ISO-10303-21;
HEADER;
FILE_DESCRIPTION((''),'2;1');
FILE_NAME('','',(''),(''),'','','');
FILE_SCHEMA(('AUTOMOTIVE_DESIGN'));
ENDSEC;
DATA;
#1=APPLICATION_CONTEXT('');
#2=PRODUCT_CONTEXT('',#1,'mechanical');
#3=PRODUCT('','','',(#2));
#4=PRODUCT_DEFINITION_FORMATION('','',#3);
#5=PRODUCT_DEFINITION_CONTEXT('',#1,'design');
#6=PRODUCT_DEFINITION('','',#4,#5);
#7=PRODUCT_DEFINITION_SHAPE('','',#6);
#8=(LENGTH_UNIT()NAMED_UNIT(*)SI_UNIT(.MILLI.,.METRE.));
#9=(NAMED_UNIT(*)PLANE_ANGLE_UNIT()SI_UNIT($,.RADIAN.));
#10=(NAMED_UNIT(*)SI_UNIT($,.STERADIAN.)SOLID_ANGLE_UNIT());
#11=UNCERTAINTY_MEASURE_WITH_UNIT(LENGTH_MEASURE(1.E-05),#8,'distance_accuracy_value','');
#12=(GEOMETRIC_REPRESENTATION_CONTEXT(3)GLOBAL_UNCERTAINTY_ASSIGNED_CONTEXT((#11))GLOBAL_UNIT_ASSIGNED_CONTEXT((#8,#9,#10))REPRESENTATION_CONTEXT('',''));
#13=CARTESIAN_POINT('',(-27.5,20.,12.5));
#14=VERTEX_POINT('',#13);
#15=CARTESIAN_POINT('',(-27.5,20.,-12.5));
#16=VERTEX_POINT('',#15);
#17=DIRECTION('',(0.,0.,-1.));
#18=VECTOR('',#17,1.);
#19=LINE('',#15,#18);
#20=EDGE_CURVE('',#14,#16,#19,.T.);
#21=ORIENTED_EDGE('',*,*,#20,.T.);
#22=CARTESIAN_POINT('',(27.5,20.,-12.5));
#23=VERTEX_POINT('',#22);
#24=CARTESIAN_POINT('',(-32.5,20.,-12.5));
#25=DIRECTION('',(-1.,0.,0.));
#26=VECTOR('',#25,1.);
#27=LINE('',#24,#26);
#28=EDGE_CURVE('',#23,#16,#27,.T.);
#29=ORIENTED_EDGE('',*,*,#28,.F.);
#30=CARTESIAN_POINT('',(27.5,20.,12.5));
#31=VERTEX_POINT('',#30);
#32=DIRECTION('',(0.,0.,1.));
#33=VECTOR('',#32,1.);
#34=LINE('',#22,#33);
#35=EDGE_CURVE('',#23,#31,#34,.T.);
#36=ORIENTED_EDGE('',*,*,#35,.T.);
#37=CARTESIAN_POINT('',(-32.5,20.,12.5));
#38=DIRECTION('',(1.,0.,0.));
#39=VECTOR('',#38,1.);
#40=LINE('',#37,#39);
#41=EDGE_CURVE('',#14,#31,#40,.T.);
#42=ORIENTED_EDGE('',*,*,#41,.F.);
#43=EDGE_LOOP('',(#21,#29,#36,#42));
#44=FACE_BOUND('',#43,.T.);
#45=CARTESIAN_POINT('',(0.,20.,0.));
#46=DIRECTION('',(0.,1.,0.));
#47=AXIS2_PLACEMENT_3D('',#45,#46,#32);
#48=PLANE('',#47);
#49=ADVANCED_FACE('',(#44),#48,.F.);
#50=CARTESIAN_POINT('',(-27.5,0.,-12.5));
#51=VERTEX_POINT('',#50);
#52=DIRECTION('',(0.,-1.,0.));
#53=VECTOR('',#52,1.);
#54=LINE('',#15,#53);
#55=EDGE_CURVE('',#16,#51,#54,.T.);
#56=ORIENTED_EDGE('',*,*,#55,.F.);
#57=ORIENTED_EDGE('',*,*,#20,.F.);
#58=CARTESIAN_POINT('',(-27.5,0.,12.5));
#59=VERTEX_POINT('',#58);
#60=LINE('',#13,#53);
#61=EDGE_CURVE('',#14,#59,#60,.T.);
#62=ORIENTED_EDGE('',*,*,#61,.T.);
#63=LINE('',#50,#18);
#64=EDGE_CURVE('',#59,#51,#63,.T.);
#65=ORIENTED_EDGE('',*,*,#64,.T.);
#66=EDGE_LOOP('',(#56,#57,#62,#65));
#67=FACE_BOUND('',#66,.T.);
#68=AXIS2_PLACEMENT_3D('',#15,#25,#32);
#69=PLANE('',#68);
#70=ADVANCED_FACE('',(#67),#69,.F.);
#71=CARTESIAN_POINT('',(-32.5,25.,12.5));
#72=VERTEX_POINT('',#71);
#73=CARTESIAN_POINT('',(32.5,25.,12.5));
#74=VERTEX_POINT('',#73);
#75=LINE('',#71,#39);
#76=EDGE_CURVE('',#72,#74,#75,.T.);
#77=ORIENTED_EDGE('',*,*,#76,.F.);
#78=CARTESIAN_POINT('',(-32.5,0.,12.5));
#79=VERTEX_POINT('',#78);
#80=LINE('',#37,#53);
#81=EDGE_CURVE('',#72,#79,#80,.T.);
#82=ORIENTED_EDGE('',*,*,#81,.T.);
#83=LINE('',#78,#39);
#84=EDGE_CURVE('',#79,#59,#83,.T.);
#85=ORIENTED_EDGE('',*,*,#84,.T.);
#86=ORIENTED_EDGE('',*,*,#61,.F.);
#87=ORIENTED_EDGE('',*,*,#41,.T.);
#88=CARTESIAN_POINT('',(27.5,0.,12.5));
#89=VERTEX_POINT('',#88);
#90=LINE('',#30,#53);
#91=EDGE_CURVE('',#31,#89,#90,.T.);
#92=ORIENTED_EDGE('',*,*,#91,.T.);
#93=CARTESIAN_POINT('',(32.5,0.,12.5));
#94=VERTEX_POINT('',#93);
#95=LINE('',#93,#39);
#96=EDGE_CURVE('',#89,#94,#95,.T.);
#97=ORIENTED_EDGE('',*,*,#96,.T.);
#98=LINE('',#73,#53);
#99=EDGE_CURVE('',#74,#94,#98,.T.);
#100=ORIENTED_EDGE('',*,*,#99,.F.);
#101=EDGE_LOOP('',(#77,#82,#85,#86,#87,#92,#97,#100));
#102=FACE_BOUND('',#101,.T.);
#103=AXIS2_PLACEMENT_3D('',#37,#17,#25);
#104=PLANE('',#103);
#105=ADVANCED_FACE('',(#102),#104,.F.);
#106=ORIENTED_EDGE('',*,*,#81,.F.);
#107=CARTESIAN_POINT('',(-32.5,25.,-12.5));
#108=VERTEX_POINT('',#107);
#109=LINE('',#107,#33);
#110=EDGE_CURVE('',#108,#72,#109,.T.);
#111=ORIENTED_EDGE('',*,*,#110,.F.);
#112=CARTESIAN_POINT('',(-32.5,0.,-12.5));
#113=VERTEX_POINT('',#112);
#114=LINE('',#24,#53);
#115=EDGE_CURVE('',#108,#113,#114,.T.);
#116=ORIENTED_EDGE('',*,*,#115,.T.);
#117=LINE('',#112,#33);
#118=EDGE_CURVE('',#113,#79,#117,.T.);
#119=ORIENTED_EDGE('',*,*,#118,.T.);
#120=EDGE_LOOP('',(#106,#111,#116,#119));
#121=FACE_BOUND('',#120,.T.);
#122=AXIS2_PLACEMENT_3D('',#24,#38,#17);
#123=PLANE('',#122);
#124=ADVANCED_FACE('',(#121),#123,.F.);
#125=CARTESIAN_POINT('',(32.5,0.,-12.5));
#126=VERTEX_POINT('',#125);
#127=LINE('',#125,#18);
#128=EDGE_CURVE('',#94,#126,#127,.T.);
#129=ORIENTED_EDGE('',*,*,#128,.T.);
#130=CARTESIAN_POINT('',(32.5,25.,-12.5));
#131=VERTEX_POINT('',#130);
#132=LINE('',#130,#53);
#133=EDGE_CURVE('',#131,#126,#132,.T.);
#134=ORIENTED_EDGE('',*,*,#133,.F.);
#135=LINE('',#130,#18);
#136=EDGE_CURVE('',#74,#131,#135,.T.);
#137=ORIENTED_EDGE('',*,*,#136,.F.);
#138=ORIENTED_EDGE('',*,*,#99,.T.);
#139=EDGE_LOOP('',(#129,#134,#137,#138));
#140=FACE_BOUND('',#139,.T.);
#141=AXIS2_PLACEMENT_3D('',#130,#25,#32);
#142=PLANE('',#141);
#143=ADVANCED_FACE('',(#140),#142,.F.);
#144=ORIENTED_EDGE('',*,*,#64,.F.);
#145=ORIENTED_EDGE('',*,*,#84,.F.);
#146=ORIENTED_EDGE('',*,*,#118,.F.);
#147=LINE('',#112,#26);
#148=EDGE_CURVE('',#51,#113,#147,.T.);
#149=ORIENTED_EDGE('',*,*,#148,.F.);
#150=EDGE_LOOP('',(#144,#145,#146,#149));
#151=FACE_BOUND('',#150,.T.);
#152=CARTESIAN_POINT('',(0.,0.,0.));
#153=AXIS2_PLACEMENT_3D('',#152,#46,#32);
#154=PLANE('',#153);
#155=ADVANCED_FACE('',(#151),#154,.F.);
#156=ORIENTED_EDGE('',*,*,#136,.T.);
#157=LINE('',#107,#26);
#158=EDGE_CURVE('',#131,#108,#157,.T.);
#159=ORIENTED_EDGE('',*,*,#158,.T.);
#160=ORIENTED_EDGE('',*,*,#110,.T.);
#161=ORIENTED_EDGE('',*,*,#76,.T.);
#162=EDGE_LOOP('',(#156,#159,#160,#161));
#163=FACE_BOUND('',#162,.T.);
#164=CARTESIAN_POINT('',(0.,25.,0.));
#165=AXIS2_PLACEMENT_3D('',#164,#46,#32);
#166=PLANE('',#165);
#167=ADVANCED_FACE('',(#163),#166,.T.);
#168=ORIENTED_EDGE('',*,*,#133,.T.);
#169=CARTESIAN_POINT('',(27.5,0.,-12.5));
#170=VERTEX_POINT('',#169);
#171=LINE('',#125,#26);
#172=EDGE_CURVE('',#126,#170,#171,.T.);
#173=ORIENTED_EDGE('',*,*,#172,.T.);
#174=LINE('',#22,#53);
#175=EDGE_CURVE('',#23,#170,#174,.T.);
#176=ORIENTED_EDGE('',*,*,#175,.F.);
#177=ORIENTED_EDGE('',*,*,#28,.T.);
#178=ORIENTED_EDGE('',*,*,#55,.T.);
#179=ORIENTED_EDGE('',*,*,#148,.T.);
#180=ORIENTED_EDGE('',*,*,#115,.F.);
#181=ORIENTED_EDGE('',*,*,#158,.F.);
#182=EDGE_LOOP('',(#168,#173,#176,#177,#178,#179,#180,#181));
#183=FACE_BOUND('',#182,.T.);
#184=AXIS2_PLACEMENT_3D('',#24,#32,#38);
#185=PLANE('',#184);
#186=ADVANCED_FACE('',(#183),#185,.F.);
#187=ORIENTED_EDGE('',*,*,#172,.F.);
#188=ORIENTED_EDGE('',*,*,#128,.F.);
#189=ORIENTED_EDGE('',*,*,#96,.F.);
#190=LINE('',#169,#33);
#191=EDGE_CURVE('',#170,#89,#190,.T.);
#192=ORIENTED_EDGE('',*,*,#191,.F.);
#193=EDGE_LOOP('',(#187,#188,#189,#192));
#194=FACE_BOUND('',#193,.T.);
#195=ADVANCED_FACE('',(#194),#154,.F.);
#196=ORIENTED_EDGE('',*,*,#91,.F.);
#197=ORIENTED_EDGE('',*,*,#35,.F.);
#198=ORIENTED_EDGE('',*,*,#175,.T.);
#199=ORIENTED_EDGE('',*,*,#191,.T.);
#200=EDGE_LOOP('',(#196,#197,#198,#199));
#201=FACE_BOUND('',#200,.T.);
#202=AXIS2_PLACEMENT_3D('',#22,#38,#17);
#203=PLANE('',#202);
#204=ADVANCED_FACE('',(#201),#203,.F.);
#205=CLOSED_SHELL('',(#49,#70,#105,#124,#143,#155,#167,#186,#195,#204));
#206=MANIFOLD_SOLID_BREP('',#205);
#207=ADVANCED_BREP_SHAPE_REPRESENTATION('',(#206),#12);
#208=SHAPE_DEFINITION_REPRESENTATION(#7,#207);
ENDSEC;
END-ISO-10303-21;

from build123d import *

# Parameters (mm, degrees)
SKETCH_1_W        = 5
SKETCH_1_H        = 25
EXTRUDE_1_DEPTH   = 20
EXTRUDE_1_2_DEPTH = 20
SKETCH_2_W        = 65
SKETCH_2_H        = 25
EXTRUDE_2_DEPTH   = 5


with BuildPart() as part:
    # ｽｹｯﾁ1 → ﾎﾞｽ - 押し出し1 (new body)
    with BuildSketch(Plane(origin=(0, 0, 0), x_dir=(1, 0, 0), z_dir=(0, 1, 0))):
        with Locations((30, 0)):
            Rectangle(SKETCH_1_W, SKETCH_1_H)
    extrude(amount=EXTRUDE_1_DEPTH)



with BuildPart() as body_2:
    # ｽｹｯﾁ1 → Extrude 1 2 (new body)
    with BuildSketch(Plane(origin=(0, 0, 0), x_dir=(1, 0, 0), z_dir=(0, 1, 0))):
        with Locations((-30, 0)):
            Rectangle(SKETCH_1_W, SKETCH_1_H)
    extrude(amount=EXTRUDE_1_2_DEPTH)


with BuildPart() as part_1:
    add(part.part)

    add(body_2.part)  # ﾎﾞｽ - 押し出し2 merges body 2
    # ｽｹｯﾁ2 → ﾎﾞｽ - 押し出し2 (add)
    with BuildSketch(Plane(origin=(0, 20, 0), x_dir=(1, 0, 0), z_dir=(0, 1, 0))):
        Rectangle(SKETCH_2_W, SKETCH_2_H)
    extrude(amount=EXTRUDE_2_DEPTH)


solid = part_1.part
